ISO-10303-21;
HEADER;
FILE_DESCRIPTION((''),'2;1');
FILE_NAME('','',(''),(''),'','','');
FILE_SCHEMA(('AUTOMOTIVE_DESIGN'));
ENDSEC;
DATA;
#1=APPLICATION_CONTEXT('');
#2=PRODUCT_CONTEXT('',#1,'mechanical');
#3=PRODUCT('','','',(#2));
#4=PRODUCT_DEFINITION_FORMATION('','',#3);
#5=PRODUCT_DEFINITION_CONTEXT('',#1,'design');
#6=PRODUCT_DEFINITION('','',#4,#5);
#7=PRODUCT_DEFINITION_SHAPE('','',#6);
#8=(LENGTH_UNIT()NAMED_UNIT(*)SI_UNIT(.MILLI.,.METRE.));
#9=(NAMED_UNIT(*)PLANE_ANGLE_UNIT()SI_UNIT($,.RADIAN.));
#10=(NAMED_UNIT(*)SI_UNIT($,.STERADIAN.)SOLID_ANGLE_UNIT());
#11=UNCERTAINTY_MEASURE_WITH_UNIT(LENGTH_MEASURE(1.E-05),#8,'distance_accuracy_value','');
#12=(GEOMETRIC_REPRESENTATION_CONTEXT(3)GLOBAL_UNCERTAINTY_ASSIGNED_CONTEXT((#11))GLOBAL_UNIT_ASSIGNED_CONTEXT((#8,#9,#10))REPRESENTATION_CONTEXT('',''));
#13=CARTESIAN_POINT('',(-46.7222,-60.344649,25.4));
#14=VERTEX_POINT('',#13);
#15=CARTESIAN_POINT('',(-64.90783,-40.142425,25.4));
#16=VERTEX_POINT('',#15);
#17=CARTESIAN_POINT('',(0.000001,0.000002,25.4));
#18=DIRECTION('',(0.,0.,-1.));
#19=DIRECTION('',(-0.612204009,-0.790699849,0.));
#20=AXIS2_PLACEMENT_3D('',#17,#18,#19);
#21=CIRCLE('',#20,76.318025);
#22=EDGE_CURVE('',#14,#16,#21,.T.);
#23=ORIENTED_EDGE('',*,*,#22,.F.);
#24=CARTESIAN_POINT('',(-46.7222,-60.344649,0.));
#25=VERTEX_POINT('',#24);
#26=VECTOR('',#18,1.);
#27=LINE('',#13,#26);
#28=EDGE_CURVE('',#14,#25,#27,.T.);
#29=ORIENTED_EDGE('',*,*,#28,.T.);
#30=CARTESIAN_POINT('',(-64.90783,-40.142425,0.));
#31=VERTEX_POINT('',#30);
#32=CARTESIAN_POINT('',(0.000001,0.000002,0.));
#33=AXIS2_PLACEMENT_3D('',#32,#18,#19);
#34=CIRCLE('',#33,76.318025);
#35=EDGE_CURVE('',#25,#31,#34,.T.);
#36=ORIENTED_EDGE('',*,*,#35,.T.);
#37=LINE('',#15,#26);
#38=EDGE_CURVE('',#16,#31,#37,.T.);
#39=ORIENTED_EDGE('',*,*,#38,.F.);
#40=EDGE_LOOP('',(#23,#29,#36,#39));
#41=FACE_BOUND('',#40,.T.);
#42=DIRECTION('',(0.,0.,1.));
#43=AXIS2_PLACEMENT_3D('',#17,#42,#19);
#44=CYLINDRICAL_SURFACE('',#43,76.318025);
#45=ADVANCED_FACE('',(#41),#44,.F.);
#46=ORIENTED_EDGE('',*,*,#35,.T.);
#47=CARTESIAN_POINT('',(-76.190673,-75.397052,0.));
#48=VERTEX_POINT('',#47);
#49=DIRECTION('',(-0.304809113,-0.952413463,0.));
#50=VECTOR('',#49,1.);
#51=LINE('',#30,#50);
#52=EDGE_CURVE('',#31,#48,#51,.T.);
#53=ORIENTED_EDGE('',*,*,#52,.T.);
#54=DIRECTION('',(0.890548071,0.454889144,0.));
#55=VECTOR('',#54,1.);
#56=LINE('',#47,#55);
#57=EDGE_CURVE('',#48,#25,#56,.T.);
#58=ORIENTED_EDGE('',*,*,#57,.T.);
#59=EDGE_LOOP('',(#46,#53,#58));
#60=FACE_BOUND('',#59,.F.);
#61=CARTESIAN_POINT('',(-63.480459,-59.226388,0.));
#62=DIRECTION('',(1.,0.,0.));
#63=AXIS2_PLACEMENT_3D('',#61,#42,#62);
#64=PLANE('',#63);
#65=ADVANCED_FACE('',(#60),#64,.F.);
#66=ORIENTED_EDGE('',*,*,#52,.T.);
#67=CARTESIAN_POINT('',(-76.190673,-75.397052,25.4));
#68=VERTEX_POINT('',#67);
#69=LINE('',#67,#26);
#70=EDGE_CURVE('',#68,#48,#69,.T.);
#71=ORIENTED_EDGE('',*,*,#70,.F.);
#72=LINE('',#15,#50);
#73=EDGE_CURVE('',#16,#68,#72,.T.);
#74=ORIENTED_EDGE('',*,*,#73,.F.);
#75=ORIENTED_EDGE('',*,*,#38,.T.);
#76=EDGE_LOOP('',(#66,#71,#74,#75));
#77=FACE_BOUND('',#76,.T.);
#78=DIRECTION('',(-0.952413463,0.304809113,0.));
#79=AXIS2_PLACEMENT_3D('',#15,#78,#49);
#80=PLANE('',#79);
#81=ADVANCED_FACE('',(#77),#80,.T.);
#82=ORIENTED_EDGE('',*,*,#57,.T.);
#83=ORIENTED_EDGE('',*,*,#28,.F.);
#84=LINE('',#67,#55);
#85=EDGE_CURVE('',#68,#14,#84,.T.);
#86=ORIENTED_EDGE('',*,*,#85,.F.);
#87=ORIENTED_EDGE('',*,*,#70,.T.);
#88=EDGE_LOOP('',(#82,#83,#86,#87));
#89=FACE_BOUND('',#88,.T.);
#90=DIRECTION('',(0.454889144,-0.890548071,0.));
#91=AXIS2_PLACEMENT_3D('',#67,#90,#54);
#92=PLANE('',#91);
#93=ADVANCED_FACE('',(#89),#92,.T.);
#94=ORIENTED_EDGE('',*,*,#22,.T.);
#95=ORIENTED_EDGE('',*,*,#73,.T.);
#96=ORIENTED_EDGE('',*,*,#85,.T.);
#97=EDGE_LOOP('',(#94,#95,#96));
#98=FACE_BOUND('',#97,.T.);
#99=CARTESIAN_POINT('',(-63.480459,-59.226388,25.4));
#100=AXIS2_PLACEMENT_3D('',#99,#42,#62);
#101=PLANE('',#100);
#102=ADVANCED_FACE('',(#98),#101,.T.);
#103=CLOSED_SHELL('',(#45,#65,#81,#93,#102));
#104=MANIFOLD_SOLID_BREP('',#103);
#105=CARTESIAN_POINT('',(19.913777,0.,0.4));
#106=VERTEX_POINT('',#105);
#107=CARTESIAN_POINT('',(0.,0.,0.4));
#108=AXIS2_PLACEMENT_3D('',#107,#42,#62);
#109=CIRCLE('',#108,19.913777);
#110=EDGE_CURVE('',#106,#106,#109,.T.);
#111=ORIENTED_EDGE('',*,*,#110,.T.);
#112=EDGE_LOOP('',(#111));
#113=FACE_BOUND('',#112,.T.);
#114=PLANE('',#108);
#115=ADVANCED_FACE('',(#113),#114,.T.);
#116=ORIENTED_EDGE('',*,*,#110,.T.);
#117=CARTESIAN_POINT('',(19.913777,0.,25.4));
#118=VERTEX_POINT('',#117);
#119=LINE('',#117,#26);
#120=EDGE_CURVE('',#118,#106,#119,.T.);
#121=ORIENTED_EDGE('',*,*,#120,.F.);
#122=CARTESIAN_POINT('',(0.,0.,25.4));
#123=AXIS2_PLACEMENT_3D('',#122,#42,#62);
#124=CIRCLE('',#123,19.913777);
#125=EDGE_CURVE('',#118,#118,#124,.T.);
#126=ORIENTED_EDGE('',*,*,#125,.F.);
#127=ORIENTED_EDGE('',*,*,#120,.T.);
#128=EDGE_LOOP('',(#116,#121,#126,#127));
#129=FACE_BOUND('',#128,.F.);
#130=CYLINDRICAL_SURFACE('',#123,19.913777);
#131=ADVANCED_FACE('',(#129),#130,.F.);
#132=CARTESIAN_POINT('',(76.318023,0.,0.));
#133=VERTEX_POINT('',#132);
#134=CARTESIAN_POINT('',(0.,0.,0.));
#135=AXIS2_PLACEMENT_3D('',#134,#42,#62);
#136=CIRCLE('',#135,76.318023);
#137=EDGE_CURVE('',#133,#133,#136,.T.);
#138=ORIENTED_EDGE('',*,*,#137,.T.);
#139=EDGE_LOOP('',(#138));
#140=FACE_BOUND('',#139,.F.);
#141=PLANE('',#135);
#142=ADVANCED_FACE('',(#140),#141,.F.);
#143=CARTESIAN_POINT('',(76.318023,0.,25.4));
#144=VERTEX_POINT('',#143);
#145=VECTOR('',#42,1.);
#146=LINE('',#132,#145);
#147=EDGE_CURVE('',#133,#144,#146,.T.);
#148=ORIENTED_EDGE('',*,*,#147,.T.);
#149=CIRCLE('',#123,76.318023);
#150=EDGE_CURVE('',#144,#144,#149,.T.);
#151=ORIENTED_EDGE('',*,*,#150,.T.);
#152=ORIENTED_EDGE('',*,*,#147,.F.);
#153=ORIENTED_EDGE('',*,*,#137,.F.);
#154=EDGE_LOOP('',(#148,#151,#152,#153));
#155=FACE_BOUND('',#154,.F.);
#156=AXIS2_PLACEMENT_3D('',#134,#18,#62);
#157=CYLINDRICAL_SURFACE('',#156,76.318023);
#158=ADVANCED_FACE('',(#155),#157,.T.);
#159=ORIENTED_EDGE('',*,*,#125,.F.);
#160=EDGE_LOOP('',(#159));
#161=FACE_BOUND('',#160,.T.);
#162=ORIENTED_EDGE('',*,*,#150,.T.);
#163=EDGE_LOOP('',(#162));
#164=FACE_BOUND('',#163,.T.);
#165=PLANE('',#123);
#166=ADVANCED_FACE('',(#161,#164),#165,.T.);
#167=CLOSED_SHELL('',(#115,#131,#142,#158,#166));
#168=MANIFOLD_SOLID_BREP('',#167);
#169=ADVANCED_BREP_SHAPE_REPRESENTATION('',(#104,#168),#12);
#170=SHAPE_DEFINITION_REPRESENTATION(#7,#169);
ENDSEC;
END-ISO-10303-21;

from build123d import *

# Parameters (mm, degrees)
F0_R     = 76.318023
F1_DEPTH = 25.4
F3_DEPTH = 25.4
F4_R     = 68.006987
F4_R_2   = 56.078944
F5_DEPTH = 25.4
F6_R     = 19.913777
F7_DEPTH = 25


with BuildPart() as f1:
    # F0 (on Top) → F1 (new body)
    with BuildSketch(Plane.XY):
        Circle(F0_R)
    extrude(amount=F1_DEPTH)

    # F4 (on face) → F5 (join)
    with BuildSketch(Plane.XY.offset(25.4)):
        Circle(F4_R)
        Circle(F4_R_2, mode=Mode.SUBTRACT)
    extrude(amount=-F5_DEPTH)

    # F6 (on face) → F7 (cut)
    with BuildSketch(Plane.XY.offset(25.4)):
        Circle(F6_R)
    extrude(amount=-F7_DEPTH, mode=Mode.SUBTRACT)


with BuildPart() as f3:
    # F2 (on face) → F3 (new body)
    with BuildSketch(Plane.XY.offset(25.4)):
        with BuildLine():
            ThreePointArc((-46.7222, -60.344649), (-56.721674, -51.059694), (-64.90783, -40.142425))
            Line((-64.90783, -40.142425), (-76.190673, -75.397052))
            Line((-76.190673, -75.397052), (-46.7222, -60.344649))
        make_face()
    extrude(amount=-F3_DEPTH)


solid = Compound([f1.part, f3.part])
